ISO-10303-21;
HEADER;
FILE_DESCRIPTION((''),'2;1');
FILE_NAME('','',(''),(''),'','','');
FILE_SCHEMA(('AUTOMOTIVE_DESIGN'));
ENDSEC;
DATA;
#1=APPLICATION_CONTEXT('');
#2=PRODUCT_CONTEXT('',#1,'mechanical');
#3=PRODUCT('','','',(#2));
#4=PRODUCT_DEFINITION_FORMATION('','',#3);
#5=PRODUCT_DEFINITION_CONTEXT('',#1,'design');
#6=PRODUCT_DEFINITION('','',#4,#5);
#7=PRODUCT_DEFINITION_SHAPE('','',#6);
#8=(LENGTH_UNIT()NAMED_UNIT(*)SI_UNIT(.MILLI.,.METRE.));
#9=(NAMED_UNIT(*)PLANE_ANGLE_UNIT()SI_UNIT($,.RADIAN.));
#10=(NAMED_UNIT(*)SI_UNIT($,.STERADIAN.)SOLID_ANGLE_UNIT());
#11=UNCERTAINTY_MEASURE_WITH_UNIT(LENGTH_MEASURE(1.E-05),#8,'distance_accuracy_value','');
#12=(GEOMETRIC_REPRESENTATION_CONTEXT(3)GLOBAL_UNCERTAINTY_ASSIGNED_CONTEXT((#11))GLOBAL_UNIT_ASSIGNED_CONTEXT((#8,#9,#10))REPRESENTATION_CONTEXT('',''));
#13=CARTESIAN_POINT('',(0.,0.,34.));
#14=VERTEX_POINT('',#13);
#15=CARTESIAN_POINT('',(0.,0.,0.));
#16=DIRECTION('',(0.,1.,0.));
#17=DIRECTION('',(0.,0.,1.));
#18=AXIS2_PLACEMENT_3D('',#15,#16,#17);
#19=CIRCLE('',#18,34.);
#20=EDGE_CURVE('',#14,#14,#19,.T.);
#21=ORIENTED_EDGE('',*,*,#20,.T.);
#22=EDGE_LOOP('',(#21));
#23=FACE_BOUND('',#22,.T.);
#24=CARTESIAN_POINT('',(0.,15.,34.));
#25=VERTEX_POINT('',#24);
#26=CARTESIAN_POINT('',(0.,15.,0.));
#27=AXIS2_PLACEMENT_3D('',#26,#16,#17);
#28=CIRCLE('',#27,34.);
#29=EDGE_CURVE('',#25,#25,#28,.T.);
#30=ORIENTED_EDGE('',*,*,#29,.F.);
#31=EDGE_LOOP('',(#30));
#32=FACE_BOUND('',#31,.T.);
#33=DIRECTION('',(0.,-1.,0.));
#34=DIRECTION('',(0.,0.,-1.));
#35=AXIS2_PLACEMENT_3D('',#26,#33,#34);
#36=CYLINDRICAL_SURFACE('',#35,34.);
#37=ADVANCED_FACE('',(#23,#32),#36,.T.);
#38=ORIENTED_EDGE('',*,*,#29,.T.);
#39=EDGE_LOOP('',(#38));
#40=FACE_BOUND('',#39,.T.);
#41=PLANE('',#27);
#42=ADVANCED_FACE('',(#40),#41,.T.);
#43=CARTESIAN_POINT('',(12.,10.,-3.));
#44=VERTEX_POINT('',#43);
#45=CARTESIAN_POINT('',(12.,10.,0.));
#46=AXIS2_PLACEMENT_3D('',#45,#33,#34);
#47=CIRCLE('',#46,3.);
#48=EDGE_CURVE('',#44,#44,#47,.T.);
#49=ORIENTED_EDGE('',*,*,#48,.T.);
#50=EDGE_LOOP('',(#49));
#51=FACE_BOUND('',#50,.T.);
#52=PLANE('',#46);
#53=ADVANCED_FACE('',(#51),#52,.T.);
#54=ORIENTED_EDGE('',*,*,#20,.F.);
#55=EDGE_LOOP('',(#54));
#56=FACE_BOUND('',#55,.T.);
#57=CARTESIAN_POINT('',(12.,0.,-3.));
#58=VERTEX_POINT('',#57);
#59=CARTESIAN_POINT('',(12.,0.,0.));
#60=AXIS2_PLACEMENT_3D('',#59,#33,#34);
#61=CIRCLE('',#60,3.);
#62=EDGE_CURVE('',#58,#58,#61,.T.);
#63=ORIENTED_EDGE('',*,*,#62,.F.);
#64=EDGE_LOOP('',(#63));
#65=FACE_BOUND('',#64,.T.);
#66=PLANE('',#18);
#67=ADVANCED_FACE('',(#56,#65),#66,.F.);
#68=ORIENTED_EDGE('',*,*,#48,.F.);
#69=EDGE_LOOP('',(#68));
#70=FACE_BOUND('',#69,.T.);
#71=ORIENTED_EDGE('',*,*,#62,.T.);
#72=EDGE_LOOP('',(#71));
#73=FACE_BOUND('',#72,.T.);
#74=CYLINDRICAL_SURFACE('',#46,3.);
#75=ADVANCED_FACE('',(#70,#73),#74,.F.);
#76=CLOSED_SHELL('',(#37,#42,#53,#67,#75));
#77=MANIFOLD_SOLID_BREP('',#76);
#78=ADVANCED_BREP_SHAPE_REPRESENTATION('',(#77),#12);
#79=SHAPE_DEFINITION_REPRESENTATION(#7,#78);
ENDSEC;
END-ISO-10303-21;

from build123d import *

# Parameters (mm, degrees)
SKETCH1_R           = 34
BOSS_EXTRUDE2_DEPTH = 15
SKETCH4_R           = 3
CUT_EXTRUDE1_DEPTH  = 10


with BuildPart() as part:
    # Sketch1 → Boss-Extrude2 (new body)
    with BuildSketch(Plane(origin=(0, 0, 0), x_dir=(1, 0, 0), z_dir=(0, 1, 0))):
        Circle(SKETCH1_R)
    extrude(amount=BOSS_EXTRUDE2_DEPTH)

    # Sketch4 → Cut-Extrude1 (cut)
    with BuildSketch(Plane.XZ):
        with Locations((12, 0)):
            Circle(SKETCH4_R)
    extrude(amount=-CUT_EXTRUDE1_DEPTH, mode=Mode.SUBTRACT)


solid = part.part
